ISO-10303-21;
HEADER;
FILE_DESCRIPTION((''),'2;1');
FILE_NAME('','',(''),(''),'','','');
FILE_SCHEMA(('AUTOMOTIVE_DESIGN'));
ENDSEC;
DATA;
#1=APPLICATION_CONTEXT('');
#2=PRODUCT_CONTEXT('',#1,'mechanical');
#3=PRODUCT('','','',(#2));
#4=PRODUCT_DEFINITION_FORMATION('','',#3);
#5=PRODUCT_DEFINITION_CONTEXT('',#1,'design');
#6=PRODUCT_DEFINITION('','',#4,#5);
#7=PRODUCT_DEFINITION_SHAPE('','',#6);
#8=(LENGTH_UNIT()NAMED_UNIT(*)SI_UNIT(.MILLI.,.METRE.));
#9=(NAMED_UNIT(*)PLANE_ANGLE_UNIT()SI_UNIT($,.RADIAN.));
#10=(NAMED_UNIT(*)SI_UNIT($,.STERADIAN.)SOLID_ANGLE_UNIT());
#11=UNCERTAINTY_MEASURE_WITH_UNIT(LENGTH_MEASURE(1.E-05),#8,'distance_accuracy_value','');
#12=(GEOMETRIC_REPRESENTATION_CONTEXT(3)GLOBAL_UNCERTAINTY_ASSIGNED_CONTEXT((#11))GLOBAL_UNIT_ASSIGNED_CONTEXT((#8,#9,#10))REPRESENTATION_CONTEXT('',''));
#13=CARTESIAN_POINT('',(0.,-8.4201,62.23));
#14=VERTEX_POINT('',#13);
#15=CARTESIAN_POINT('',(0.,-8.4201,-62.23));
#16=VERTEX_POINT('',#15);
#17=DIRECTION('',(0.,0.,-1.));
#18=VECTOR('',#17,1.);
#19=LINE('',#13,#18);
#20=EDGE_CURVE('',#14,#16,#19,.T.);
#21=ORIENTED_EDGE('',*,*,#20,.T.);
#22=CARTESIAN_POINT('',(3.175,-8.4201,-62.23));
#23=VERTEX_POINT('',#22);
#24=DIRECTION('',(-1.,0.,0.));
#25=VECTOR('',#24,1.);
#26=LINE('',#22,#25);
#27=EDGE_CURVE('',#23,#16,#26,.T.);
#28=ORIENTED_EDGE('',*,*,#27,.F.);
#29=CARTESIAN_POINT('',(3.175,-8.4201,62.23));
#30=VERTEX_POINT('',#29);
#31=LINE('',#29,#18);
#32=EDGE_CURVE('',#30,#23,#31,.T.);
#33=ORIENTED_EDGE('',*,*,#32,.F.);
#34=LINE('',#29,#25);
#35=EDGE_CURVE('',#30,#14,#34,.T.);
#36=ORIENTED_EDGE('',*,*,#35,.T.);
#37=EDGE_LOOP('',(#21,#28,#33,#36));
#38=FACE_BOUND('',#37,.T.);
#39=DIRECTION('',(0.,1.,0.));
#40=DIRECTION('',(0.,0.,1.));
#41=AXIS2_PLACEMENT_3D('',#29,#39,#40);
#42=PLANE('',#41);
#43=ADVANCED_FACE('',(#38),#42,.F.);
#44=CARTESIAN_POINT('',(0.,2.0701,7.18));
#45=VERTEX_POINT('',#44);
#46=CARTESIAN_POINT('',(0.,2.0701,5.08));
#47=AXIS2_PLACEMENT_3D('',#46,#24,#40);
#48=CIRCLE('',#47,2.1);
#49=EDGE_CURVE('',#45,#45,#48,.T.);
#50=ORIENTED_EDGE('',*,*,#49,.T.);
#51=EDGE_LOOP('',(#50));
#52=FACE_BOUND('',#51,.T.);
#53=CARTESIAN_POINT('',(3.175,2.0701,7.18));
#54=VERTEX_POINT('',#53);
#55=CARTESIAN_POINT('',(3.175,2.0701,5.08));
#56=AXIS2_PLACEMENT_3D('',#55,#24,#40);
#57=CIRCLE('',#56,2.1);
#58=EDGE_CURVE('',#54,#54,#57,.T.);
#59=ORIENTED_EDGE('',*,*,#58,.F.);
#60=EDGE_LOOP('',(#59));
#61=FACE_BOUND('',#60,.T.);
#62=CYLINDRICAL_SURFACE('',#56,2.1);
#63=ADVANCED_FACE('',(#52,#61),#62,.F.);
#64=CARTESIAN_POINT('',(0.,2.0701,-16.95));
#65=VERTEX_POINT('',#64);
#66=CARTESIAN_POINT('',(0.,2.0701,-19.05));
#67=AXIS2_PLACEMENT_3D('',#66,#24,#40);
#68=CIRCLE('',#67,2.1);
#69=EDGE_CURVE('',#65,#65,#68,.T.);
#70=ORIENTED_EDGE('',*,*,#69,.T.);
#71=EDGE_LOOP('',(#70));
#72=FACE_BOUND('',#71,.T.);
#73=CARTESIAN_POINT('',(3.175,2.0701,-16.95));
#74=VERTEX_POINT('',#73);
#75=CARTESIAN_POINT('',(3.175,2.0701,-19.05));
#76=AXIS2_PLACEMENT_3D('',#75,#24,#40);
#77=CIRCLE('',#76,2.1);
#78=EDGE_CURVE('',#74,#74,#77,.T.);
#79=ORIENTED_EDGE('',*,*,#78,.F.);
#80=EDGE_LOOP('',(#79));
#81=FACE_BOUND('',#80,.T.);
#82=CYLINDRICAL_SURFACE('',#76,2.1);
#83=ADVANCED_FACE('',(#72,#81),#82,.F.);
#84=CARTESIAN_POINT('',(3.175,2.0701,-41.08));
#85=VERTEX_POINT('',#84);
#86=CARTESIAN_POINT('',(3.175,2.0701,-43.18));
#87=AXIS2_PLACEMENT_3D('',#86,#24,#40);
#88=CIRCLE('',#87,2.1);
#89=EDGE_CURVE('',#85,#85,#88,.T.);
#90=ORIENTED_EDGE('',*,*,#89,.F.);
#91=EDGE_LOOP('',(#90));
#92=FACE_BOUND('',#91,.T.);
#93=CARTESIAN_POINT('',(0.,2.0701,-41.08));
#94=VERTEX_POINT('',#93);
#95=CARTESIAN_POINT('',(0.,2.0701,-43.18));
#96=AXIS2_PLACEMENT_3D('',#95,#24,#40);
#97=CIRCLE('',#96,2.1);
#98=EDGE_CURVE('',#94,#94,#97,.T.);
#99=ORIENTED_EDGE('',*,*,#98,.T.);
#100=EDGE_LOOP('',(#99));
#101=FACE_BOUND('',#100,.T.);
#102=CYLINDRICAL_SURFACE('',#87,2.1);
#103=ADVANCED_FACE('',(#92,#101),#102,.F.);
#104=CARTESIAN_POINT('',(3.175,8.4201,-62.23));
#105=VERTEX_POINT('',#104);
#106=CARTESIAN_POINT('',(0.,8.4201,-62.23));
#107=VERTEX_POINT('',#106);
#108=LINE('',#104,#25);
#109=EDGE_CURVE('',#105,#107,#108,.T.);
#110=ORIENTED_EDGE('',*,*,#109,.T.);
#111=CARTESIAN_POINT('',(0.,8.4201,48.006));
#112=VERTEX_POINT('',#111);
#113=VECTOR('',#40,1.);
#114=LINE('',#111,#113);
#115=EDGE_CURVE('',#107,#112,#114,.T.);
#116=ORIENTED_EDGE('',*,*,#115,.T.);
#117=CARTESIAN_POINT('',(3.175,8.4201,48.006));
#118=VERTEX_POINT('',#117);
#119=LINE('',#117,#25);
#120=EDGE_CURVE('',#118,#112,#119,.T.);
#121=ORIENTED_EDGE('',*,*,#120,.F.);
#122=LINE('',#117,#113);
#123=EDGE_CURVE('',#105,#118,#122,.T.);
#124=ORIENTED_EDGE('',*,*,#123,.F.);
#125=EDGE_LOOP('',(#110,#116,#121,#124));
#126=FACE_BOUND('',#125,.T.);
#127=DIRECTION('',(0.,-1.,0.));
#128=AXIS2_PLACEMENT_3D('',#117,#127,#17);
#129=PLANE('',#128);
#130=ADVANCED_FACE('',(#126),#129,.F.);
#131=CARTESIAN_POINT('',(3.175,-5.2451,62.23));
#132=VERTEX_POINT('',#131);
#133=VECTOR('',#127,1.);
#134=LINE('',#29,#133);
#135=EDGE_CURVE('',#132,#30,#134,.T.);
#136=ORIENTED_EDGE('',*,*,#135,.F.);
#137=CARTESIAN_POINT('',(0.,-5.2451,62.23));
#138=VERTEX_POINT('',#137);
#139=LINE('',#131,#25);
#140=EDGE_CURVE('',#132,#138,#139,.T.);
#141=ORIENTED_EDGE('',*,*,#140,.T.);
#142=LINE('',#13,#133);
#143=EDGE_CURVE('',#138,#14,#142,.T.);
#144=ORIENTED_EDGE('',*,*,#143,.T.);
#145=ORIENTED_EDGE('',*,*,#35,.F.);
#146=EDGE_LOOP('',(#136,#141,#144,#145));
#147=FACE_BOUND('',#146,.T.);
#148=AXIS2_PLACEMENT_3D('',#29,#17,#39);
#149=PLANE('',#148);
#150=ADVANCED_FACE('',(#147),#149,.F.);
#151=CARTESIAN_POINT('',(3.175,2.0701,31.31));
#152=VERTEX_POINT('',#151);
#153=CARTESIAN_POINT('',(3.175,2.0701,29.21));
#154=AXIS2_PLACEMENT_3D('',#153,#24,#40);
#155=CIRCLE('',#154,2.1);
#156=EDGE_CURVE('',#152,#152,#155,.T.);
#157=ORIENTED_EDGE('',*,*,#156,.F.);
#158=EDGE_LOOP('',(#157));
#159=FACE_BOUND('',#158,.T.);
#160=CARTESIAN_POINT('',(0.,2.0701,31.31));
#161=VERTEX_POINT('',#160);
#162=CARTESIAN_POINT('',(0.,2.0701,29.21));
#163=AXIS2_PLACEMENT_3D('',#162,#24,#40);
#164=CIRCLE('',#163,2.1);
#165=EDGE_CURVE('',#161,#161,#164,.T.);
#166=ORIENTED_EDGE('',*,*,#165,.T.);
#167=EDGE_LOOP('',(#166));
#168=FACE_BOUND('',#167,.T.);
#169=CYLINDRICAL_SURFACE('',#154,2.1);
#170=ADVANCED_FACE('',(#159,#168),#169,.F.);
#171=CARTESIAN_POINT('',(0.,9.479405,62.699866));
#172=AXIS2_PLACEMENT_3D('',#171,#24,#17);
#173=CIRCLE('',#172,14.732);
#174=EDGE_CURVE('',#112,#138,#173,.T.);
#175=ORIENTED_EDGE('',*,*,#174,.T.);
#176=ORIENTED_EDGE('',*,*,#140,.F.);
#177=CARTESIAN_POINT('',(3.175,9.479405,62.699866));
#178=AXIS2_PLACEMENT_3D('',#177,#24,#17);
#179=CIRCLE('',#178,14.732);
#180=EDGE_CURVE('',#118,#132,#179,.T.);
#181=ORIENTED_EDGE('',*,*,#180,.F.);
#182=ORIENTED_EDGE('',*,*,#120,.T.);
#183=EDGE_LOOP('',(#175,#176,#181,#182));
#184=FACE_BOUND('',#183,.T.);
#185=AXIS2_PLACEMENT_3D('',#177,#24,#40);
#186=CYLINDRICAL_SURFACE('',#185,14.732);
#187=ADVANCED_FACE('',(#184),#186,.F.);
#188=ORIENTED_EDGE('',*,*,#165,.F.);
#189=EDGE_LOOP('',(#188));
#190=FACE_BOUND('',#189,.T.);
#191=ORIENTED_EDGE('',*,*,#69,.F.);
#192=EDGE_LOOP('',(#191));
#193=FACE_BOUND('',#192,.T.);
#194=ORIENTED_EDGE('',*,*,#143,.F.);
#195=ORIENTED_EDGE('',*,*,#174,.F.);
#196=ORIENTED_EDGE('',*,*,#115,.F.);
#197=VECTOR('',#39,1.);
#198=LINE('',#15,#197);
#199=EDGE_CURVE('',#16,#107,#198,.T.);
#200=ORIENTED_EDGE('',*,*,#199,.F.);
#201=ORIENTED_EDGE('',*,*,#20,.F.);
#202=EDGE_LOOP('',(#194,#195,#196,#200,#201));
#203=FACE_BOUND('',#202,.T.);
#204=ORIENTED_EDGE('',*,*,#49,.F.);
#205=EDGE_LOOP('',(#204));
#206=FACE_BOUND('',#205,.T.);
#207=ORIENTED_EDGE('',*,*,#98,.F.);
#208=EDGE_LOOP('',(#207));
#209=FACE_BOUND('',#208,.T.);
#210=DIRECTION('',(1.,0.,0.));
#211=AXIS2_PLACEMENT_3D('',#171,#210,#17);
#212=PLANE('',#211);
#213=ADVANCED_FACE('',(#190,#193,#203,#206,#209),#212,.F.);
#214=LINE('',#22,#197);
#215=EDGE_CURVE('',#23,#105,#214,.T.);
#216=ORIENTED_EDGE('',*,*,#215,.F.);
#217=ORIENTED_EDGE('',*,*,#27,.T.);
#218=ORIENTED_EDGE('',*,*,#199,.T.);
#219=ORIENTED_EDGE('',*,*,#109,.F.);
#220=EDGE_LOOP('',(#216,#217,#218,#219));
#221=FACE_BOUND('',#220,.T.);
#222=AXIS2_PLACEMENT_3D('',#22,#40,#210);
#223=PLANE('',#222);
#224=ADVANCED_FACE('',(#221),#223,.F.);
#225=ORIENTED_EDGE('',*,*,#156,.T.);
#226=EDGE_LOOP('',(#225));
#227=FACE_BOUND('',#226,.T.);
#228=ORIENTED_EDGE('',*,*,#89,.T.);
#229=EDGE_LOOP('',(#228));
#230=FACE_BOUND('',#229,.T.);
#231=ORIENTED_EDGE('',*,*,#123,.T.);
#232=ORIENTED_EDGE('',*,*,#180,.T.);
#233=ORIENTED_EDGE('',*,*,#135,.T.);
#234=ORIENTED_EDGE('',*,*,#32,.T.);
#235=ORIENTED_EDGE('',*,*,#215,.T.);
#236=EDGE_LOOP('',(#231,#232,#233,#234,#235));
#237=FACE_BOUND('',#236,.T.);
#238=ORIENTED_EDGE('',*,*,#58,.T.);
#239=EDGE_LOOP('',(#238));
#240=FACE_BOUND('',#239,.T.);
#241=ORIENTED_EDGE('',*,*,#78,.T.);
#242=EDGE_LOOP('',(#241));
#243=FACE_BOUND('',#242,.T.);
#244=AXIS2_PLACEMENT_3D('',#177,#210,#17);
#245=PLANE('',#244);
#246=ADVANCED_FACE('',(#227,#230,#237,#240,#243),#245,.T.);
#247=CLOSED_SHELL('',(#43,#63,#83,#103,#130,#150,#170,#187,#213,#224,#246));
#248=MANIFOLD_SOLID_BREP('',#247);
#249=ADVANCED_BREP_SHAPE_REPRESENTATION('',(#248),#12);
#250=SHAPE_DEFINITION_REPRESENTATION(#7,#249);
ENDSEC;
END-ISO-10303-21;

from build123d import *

# Parameters (mm, degrees)
BOSS_EXTRUDE1_DEPTH = 3.175
SKETCH3_R           = 2.1
CUT_EXTRUDE1_DEPTH  = 4.175


with BuildPart() as part:
    # Sketch1 → Boss-Extrude1 (new body)
    with BuildSketch(Plane(origin=(0, 0, 0), x_dir=(0, 0, -1), z_dir=(1, 0, 0))):
        with BuildLine():
            Line((-62.23, -8.4201), (62.23, -8.4201))
            Line((62.23, -8.4201), (62.23, 8.4201))
            Line((62.23, 8.4201), (-48.006, 8.4201))
            ThreePointArc((-48.006, 8.4201), (-52.493538794, -1.144281181), (-62.23, -5.2451))
            Line((-62.23, -5.2451), (-62.23, -8.4201))
        make_face()
    extrude(amount=BOSS_EXTRUDE1_DEPTH)

    # Sketch3 → Cut-Extrude1 (cut, through all)
    with BuildSketch(Plane.ZY):
        with Locations((-43.18, 2.0701)):
            Circle(SKETCH3_R)
        with Locations((-19.05, 2.0701)):
            Circle(SKETCH3_R)
        with Locations((5.08, 2.0701)):
            Circle(SKETCH3_R)
        with Locations((29.21, 2.0701)):
            Circle(SKETCH3_R)
    extrude(amount=-CUT_EXTRUDE1_DEPTH, mode=Mode.SUBTRACT)


solid = part.part
